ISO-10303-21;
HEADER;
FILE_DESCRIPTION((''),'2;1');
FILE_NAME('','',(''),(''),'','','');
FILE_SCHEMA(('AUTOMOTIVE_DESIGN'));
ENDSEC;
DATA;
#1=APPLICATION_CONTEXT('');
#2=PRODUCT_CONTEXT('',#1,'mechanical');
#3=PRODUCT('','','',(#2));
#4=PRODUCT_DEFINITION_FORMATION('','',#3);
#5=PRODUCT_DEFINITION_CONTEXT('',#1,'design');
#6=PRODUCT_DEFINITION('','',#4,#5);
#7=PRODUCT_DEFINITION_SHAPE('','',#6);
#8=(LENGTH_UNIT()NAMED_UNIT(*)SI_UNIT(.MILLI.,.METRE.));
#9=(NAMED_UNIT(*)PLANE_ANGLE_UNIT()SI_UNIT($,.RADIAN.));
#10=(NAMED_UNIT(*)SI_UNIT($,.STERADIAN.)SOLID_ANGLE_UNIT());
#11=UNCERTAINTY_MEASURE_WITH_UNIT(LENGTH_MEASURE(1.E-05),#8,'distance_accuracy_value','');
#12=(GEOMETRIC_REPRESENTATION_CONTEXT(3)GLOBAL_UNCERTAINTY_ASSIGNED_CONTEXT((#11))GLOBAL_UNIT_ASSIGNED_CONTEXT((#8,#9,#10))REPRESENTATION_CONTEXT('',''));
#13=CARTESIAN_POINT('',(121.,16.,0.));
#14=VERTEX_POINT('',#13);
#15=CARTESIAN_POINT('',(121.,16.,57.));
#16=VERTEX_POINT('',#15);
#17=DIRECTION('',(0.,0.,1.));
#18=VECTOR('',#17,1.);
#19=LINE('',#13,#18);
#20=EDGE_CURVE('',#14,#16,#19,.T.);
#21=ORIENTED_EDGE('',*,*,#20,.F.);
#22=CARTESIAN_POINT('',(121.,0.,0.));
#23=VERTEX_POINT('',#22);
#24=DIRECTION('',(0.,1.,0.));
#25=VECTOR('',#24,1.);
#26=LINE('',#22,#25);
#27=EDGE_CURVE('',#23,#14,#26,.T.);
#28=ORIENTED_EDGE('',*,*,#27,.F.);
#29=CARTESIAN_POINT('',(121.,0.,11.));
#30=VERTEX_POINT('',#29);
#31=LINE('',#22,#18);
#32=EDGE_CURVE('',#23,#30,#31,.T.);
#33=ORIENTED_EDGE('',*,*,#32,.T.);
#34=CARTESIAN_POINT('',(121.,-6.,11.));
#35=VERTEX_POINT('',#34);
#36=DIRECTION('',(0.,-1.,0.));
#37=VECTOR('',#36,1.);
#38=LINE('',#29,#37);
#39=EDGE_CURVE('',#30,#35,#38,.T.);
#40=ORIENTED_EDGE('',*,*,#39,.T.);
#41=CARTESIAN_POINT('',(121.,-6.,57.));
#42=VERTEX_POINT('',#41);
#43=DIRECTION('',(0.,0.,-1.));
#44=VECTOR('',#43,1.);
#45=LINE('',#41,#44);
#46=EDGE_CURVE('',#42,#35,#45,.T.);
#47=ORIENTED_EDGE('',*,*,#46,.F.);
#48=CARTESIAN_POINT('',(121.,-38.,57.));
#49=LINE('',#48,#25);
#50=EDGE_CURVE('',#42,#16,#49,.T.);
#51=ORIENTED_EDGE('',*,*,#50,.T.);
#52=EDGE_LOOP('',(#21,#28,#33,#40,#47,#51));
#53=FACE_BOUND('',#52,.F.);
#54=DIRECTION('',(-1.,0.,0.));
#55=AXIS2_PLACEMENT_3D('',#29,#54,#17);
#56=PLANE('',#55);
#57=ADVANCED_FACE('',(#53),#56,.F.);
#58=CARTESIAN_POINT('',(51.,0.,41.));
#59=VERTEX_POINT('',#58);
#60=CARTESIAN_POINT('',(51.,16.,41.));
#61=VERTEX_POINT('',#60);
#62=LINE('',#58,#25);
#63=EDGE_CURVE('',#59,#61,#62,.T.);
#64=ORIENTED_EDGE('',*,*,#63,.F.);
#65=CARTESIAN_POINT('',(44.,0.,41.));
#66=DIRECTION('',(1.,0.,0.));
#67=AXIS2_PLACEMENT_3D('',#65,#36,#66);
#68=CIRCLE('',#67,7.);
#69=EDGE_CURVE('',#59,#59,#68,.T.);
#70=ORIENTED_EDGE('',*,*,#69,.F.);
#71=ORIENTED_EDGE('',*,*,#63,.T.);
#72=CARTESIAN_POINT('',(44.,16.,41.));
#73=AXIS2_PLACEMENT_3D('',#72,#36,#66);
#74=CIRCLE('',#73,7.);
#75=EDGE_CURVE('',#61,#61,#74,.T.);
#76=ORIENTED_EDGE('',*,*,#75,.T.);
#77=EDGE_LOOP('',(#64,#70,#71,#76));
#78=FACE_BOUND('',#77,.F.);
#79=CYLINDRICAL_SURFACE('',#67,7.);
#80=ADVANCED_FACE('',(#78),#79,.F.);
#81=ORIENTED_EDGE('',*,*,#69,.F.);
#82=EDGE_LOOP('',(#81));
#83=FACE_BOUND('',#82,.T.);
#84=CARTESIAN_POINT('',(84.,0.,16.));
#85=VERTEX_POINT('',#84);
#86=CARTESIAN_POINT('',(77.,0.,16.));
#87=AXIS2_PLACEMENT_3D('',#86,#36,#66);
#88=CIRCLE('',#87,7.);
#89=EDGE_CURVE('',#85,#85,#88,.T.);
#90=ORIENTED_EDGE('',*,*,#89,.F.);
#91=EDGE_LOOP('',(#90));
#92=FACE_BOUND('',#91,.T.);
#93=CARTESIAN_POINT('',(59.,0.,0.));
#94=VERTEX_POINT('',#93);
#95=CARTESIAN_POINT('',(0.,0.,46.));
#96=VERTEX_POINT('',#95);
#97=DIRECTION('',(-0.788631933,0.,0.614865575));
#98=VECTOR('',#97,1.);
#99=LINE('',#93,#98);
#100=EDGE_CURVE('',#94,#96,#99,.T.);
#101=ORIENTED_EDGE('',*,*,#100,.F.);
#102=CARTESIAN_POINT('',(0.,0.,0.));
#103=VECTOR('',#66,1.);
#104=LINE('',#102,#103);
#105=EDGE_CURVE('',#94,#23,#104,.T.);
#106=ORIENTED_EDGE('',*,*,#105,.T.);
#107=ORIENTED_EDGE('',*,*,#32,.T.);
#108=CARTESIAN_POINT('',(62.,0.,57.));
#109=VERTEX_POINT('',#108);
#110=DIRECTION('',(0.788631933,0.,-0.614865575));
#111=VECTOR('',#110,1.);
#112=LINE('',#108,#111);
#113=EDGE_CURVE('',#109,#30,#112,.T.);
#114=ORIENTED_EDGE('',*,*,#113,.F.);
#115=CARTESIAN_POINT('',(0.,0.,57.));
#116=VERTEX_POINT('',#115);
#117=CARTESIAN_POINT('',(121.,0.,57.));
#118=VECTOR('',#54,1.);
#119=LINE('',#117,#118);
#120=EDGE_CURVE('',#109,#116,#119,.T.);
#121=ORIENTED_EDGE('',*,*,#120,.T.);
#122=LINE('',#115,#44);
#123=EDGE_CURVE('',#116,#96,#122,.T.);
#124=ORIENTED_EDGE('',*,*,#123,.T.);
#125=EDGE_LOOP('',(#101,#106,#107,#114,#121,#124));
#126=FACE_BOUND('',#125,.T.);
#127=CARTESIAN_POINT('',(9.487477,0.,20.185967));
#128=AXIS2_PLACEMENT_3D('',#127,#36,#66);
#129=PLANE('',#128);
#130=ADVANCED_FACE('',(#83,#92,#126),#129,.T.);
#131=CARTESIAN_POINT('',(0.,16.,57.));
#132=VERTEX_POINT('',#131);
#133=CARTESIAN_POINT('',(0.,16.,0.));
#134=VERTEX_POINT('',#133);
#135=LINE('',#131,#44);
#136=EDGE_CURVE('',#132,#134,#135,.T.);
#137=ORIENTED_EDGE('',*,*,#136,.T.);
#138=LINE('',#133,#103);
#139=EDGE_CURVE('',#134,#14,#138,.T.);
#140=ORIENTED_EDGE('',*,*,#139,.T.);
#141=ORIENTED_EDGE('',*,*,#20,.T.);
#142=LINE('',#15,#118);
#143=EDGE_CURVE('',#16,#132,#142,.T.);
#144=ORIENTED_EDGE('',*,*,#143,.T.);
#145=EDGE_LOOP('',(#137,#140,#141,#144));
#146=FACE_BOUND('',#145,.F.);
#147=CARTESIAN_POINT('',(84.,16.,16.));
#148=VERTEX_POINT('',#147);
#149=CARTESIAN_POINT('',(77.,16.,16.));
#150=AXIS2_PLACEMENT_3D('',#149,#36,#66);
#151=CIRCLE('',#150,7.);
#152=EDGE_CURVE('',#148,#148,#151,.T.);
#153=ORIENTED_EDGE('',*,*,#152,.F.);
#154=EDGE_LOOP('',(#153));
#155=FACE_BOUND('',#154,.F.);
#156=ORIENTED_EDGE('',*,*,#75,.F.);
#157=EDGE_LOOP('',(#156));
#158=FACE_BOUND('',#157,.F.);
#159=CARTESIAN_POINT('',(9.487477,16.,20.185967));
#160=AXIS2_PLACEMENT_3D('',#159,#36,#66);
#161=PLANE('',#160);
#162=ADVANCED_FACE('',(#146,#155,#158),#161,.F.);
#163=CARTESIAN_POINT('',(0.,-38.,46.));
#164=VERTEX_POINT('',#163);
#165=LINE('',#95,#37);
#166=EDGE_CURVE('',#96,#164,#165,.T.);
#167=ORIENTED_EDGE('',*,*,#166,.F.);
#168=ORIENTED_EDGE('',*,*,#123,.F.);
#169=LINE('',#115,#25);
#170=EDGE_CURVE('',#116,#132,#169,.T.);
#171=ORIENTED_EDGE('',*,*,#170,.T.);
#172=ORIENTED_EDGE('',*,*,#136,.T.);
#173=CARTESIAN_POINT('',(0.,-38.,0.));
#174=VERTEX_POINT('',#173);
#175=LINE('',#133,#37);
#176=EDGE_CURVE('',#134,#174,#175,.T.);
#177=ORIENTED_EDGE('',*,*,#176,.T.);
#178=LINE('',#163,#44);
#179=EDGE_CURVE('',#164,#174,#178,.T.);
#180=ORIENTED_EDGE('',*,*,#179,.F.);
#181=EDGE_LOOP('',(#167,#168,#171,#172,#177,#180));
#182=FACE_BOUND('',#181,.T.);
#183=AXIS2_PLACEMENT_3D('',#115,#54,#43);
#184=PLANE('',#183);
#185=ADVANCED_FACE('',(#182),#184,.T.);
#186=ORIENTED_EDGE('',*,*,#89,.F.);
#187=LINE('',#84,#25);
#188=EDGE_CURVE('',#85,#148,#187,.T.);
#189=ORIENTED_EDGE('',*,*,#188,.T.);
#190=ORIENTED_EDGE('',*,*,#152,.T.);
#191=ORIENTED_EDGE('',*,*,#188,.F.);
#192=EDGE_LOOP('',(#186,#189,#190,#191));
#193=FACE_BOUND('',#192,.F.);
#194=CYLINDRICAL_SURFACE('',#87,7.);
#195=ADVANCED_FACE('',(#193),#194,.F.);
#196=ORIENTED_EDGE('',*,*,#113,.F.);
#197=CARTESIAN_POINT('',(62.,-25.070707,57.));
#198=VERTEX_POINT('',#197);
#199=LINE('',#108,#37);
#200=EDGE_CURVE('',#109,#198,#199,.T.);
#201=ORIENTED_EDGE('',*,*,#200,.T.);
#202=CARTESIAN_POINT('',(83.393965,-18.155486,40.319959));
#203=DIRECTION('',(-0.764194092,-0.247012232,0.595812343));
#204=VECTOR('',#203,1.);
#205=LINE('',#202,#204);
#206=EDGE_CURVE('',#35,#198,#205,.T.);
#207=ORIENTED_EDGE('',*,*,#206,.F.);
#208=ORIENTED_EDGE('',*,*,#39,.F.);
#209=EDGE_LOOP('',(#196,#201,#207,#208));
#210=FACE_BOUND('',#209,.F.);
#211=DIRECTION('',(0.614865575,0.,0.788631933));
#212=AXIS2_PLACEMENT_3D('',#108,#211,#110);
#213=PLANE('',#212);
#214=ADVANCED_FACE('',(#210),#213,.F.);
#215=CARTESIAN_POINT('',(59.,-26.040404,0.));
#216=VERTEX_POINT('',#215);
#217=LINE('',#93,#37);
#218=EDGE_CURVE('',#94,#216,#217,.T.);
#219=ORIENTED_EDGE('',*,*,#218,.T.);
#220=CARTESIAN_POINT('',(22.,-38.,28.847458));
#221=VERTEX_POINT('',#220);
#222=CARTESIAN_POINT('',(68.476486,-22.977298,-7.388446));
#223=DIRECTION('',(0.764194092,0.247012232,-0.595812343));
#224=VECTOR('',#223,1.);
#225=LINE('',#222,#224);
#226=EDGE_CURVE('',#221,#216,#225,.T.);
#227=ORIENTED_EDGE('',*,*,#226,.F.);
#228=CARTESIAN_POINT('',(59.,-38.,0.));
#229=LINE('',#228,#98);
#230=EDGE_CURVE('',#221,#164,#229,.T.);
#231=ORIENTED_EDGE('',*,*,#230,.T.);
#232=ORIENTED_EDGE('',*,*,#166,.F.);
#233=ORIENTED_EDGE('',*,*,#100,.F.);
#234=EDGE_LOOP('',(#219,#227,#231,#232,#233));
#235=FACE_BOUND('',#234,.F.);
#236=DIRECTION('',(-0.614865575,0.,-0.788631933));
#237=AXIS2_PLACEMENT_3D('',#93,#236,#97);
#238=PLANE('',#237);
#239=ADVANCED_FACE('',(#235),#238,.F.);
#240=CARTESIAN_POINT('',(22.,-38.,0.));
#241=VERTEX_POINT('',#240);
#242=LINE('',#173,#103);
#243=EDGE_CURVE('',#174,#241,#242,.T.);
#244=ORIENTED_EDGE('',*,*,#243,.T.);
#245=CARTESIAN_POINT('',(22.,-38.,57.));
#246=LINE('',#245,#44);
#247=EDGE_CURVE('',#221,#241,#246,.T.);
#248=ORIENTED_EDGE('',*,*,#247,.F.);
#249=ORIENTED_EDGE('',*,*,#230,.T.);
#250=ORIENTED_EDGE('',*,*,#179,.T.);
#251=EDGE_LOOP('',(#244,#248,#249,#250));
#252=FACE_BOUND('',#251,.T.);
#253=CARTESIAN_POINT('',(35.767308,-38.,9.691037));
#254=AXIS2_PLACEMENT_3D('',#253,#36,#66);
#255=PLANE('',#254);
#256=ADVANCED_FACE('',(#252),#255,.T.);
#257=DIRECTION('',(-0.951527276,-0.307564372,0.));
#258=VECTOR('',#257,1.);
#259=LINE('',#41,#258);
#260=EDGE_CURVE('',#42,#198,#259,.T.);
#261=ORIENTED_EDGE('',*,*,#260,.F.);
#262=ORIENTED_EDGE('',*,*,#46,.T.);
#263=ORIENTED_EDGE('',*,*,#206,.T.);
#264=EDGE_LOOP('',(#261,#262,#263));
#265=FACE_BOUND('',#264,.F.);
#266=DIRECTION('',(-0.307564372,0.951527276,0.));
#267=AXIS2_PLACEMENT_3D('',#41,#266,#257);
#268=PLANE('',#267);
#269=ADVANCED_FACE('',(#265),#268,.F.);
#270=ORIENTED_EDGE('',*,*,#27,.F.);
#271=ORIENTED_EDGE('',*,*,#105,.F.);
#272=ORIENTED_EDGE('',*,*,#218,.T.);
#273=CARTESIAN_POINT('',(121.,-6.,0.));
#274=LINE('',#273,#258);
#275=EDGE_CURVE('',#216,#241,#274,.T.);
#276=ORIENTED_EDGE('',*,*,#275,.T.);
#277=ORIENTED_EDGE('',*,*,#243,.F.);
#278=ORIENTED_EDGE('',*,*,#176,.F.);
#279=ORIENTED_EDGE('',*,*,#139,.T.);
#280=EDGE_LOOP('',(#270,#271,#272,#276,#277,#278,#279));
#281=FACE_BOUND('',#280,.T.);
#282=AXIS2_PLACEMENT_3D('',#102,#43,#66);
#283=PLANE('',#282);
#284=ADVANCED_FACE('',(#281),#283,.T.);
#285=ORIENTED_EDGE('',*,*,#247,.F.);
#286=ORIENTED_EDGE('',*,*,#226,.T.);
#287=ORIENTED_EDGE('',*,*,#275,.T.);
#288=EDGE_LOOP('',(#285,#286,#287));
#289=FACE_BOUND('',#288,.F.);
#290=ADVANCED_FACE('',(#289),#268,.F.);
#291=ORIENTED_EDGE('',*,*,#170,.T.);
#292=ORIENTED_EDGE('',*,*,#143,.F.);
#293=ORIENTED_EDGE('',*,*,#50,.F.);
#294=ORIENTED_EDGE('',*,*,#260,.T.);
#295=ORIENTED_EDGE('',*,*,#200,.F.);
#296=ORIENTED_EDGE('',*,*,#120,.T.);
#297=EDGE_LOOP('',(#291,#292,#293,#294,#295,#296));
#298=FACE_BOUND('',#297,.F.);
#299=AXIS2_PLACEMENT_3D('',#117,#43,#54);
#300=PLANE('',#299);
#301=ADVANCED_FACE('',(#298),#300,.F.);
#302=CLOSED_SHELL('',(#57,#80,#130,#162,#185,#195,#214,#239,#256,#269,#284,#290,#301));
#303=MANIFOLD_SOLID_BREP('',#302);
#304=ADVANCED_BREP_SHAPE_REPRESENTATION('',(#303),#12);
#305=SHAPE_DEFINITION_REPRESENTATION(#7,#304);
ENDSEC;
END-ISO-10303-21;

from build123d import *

# Parameters (mm, degrees)
F1_DEPTH = 16
F2_DEPTH = 38
F3_R     = 7
F4_DEPTH = 25
F6_DEPTH = 57


with BuildPart() as f1:
    # F0 (on Front) → F1 (new body)
    with BuildSketch(Plane.XZ):
        Polygon((0, 46), (0, 0), (22, 0), (22, 28.8474576271), align=None)
        Polygon((22, 28.8474576271), (22, 0), (59, 0), align=None)
        Polygon((0, 57), (0, 46), (22, 28.8474576271), (59, 0), (121, 0), (121, 11), (62, 57), align=None)
        Polygon((121, 57), (62, 57), (121, 11), align=None)
    extrude(amount=-F1_DEPTH)

    # F0 (on Front) → F2 (join)
    with BuildSketch(Plane.XZ):
        Polygon((121, 57), (62, 57), (121, 11), align=None)
        Polygon((22, 28.8474576271), (22, 0), (59, 0), align=None)
        Polygon((0, 46), (0, 0), (22, 0), (22, 28.8474576271), align=None)
    extrude(amount=F2_DEPTH)

    # F3 (on face) → F4 (cut)
    with BuildSketch(Plane.XZ):
        with Locations((77, 16)):
            Circle(F3_R)
        with Locations((44, 41)):
            Circle(F3_R)
    extrude(amount=-F4_DEPTH, mode=Mode.SUBTRACT)

    # F5 (on face) → F6 (cut)
    with BuildSketch(Plane.XY.offset(57)):
        Polygon((121, -38), (121, -6), (62, -25.0707070707), (62, -38), align=None)
        Polygon((62, -38), (62, -25.0707070707), (22, -38), align=None)
    extrude(amount=-F6_DEPTH, mode=Mode.SUBTRACT)


solid = f1.part
